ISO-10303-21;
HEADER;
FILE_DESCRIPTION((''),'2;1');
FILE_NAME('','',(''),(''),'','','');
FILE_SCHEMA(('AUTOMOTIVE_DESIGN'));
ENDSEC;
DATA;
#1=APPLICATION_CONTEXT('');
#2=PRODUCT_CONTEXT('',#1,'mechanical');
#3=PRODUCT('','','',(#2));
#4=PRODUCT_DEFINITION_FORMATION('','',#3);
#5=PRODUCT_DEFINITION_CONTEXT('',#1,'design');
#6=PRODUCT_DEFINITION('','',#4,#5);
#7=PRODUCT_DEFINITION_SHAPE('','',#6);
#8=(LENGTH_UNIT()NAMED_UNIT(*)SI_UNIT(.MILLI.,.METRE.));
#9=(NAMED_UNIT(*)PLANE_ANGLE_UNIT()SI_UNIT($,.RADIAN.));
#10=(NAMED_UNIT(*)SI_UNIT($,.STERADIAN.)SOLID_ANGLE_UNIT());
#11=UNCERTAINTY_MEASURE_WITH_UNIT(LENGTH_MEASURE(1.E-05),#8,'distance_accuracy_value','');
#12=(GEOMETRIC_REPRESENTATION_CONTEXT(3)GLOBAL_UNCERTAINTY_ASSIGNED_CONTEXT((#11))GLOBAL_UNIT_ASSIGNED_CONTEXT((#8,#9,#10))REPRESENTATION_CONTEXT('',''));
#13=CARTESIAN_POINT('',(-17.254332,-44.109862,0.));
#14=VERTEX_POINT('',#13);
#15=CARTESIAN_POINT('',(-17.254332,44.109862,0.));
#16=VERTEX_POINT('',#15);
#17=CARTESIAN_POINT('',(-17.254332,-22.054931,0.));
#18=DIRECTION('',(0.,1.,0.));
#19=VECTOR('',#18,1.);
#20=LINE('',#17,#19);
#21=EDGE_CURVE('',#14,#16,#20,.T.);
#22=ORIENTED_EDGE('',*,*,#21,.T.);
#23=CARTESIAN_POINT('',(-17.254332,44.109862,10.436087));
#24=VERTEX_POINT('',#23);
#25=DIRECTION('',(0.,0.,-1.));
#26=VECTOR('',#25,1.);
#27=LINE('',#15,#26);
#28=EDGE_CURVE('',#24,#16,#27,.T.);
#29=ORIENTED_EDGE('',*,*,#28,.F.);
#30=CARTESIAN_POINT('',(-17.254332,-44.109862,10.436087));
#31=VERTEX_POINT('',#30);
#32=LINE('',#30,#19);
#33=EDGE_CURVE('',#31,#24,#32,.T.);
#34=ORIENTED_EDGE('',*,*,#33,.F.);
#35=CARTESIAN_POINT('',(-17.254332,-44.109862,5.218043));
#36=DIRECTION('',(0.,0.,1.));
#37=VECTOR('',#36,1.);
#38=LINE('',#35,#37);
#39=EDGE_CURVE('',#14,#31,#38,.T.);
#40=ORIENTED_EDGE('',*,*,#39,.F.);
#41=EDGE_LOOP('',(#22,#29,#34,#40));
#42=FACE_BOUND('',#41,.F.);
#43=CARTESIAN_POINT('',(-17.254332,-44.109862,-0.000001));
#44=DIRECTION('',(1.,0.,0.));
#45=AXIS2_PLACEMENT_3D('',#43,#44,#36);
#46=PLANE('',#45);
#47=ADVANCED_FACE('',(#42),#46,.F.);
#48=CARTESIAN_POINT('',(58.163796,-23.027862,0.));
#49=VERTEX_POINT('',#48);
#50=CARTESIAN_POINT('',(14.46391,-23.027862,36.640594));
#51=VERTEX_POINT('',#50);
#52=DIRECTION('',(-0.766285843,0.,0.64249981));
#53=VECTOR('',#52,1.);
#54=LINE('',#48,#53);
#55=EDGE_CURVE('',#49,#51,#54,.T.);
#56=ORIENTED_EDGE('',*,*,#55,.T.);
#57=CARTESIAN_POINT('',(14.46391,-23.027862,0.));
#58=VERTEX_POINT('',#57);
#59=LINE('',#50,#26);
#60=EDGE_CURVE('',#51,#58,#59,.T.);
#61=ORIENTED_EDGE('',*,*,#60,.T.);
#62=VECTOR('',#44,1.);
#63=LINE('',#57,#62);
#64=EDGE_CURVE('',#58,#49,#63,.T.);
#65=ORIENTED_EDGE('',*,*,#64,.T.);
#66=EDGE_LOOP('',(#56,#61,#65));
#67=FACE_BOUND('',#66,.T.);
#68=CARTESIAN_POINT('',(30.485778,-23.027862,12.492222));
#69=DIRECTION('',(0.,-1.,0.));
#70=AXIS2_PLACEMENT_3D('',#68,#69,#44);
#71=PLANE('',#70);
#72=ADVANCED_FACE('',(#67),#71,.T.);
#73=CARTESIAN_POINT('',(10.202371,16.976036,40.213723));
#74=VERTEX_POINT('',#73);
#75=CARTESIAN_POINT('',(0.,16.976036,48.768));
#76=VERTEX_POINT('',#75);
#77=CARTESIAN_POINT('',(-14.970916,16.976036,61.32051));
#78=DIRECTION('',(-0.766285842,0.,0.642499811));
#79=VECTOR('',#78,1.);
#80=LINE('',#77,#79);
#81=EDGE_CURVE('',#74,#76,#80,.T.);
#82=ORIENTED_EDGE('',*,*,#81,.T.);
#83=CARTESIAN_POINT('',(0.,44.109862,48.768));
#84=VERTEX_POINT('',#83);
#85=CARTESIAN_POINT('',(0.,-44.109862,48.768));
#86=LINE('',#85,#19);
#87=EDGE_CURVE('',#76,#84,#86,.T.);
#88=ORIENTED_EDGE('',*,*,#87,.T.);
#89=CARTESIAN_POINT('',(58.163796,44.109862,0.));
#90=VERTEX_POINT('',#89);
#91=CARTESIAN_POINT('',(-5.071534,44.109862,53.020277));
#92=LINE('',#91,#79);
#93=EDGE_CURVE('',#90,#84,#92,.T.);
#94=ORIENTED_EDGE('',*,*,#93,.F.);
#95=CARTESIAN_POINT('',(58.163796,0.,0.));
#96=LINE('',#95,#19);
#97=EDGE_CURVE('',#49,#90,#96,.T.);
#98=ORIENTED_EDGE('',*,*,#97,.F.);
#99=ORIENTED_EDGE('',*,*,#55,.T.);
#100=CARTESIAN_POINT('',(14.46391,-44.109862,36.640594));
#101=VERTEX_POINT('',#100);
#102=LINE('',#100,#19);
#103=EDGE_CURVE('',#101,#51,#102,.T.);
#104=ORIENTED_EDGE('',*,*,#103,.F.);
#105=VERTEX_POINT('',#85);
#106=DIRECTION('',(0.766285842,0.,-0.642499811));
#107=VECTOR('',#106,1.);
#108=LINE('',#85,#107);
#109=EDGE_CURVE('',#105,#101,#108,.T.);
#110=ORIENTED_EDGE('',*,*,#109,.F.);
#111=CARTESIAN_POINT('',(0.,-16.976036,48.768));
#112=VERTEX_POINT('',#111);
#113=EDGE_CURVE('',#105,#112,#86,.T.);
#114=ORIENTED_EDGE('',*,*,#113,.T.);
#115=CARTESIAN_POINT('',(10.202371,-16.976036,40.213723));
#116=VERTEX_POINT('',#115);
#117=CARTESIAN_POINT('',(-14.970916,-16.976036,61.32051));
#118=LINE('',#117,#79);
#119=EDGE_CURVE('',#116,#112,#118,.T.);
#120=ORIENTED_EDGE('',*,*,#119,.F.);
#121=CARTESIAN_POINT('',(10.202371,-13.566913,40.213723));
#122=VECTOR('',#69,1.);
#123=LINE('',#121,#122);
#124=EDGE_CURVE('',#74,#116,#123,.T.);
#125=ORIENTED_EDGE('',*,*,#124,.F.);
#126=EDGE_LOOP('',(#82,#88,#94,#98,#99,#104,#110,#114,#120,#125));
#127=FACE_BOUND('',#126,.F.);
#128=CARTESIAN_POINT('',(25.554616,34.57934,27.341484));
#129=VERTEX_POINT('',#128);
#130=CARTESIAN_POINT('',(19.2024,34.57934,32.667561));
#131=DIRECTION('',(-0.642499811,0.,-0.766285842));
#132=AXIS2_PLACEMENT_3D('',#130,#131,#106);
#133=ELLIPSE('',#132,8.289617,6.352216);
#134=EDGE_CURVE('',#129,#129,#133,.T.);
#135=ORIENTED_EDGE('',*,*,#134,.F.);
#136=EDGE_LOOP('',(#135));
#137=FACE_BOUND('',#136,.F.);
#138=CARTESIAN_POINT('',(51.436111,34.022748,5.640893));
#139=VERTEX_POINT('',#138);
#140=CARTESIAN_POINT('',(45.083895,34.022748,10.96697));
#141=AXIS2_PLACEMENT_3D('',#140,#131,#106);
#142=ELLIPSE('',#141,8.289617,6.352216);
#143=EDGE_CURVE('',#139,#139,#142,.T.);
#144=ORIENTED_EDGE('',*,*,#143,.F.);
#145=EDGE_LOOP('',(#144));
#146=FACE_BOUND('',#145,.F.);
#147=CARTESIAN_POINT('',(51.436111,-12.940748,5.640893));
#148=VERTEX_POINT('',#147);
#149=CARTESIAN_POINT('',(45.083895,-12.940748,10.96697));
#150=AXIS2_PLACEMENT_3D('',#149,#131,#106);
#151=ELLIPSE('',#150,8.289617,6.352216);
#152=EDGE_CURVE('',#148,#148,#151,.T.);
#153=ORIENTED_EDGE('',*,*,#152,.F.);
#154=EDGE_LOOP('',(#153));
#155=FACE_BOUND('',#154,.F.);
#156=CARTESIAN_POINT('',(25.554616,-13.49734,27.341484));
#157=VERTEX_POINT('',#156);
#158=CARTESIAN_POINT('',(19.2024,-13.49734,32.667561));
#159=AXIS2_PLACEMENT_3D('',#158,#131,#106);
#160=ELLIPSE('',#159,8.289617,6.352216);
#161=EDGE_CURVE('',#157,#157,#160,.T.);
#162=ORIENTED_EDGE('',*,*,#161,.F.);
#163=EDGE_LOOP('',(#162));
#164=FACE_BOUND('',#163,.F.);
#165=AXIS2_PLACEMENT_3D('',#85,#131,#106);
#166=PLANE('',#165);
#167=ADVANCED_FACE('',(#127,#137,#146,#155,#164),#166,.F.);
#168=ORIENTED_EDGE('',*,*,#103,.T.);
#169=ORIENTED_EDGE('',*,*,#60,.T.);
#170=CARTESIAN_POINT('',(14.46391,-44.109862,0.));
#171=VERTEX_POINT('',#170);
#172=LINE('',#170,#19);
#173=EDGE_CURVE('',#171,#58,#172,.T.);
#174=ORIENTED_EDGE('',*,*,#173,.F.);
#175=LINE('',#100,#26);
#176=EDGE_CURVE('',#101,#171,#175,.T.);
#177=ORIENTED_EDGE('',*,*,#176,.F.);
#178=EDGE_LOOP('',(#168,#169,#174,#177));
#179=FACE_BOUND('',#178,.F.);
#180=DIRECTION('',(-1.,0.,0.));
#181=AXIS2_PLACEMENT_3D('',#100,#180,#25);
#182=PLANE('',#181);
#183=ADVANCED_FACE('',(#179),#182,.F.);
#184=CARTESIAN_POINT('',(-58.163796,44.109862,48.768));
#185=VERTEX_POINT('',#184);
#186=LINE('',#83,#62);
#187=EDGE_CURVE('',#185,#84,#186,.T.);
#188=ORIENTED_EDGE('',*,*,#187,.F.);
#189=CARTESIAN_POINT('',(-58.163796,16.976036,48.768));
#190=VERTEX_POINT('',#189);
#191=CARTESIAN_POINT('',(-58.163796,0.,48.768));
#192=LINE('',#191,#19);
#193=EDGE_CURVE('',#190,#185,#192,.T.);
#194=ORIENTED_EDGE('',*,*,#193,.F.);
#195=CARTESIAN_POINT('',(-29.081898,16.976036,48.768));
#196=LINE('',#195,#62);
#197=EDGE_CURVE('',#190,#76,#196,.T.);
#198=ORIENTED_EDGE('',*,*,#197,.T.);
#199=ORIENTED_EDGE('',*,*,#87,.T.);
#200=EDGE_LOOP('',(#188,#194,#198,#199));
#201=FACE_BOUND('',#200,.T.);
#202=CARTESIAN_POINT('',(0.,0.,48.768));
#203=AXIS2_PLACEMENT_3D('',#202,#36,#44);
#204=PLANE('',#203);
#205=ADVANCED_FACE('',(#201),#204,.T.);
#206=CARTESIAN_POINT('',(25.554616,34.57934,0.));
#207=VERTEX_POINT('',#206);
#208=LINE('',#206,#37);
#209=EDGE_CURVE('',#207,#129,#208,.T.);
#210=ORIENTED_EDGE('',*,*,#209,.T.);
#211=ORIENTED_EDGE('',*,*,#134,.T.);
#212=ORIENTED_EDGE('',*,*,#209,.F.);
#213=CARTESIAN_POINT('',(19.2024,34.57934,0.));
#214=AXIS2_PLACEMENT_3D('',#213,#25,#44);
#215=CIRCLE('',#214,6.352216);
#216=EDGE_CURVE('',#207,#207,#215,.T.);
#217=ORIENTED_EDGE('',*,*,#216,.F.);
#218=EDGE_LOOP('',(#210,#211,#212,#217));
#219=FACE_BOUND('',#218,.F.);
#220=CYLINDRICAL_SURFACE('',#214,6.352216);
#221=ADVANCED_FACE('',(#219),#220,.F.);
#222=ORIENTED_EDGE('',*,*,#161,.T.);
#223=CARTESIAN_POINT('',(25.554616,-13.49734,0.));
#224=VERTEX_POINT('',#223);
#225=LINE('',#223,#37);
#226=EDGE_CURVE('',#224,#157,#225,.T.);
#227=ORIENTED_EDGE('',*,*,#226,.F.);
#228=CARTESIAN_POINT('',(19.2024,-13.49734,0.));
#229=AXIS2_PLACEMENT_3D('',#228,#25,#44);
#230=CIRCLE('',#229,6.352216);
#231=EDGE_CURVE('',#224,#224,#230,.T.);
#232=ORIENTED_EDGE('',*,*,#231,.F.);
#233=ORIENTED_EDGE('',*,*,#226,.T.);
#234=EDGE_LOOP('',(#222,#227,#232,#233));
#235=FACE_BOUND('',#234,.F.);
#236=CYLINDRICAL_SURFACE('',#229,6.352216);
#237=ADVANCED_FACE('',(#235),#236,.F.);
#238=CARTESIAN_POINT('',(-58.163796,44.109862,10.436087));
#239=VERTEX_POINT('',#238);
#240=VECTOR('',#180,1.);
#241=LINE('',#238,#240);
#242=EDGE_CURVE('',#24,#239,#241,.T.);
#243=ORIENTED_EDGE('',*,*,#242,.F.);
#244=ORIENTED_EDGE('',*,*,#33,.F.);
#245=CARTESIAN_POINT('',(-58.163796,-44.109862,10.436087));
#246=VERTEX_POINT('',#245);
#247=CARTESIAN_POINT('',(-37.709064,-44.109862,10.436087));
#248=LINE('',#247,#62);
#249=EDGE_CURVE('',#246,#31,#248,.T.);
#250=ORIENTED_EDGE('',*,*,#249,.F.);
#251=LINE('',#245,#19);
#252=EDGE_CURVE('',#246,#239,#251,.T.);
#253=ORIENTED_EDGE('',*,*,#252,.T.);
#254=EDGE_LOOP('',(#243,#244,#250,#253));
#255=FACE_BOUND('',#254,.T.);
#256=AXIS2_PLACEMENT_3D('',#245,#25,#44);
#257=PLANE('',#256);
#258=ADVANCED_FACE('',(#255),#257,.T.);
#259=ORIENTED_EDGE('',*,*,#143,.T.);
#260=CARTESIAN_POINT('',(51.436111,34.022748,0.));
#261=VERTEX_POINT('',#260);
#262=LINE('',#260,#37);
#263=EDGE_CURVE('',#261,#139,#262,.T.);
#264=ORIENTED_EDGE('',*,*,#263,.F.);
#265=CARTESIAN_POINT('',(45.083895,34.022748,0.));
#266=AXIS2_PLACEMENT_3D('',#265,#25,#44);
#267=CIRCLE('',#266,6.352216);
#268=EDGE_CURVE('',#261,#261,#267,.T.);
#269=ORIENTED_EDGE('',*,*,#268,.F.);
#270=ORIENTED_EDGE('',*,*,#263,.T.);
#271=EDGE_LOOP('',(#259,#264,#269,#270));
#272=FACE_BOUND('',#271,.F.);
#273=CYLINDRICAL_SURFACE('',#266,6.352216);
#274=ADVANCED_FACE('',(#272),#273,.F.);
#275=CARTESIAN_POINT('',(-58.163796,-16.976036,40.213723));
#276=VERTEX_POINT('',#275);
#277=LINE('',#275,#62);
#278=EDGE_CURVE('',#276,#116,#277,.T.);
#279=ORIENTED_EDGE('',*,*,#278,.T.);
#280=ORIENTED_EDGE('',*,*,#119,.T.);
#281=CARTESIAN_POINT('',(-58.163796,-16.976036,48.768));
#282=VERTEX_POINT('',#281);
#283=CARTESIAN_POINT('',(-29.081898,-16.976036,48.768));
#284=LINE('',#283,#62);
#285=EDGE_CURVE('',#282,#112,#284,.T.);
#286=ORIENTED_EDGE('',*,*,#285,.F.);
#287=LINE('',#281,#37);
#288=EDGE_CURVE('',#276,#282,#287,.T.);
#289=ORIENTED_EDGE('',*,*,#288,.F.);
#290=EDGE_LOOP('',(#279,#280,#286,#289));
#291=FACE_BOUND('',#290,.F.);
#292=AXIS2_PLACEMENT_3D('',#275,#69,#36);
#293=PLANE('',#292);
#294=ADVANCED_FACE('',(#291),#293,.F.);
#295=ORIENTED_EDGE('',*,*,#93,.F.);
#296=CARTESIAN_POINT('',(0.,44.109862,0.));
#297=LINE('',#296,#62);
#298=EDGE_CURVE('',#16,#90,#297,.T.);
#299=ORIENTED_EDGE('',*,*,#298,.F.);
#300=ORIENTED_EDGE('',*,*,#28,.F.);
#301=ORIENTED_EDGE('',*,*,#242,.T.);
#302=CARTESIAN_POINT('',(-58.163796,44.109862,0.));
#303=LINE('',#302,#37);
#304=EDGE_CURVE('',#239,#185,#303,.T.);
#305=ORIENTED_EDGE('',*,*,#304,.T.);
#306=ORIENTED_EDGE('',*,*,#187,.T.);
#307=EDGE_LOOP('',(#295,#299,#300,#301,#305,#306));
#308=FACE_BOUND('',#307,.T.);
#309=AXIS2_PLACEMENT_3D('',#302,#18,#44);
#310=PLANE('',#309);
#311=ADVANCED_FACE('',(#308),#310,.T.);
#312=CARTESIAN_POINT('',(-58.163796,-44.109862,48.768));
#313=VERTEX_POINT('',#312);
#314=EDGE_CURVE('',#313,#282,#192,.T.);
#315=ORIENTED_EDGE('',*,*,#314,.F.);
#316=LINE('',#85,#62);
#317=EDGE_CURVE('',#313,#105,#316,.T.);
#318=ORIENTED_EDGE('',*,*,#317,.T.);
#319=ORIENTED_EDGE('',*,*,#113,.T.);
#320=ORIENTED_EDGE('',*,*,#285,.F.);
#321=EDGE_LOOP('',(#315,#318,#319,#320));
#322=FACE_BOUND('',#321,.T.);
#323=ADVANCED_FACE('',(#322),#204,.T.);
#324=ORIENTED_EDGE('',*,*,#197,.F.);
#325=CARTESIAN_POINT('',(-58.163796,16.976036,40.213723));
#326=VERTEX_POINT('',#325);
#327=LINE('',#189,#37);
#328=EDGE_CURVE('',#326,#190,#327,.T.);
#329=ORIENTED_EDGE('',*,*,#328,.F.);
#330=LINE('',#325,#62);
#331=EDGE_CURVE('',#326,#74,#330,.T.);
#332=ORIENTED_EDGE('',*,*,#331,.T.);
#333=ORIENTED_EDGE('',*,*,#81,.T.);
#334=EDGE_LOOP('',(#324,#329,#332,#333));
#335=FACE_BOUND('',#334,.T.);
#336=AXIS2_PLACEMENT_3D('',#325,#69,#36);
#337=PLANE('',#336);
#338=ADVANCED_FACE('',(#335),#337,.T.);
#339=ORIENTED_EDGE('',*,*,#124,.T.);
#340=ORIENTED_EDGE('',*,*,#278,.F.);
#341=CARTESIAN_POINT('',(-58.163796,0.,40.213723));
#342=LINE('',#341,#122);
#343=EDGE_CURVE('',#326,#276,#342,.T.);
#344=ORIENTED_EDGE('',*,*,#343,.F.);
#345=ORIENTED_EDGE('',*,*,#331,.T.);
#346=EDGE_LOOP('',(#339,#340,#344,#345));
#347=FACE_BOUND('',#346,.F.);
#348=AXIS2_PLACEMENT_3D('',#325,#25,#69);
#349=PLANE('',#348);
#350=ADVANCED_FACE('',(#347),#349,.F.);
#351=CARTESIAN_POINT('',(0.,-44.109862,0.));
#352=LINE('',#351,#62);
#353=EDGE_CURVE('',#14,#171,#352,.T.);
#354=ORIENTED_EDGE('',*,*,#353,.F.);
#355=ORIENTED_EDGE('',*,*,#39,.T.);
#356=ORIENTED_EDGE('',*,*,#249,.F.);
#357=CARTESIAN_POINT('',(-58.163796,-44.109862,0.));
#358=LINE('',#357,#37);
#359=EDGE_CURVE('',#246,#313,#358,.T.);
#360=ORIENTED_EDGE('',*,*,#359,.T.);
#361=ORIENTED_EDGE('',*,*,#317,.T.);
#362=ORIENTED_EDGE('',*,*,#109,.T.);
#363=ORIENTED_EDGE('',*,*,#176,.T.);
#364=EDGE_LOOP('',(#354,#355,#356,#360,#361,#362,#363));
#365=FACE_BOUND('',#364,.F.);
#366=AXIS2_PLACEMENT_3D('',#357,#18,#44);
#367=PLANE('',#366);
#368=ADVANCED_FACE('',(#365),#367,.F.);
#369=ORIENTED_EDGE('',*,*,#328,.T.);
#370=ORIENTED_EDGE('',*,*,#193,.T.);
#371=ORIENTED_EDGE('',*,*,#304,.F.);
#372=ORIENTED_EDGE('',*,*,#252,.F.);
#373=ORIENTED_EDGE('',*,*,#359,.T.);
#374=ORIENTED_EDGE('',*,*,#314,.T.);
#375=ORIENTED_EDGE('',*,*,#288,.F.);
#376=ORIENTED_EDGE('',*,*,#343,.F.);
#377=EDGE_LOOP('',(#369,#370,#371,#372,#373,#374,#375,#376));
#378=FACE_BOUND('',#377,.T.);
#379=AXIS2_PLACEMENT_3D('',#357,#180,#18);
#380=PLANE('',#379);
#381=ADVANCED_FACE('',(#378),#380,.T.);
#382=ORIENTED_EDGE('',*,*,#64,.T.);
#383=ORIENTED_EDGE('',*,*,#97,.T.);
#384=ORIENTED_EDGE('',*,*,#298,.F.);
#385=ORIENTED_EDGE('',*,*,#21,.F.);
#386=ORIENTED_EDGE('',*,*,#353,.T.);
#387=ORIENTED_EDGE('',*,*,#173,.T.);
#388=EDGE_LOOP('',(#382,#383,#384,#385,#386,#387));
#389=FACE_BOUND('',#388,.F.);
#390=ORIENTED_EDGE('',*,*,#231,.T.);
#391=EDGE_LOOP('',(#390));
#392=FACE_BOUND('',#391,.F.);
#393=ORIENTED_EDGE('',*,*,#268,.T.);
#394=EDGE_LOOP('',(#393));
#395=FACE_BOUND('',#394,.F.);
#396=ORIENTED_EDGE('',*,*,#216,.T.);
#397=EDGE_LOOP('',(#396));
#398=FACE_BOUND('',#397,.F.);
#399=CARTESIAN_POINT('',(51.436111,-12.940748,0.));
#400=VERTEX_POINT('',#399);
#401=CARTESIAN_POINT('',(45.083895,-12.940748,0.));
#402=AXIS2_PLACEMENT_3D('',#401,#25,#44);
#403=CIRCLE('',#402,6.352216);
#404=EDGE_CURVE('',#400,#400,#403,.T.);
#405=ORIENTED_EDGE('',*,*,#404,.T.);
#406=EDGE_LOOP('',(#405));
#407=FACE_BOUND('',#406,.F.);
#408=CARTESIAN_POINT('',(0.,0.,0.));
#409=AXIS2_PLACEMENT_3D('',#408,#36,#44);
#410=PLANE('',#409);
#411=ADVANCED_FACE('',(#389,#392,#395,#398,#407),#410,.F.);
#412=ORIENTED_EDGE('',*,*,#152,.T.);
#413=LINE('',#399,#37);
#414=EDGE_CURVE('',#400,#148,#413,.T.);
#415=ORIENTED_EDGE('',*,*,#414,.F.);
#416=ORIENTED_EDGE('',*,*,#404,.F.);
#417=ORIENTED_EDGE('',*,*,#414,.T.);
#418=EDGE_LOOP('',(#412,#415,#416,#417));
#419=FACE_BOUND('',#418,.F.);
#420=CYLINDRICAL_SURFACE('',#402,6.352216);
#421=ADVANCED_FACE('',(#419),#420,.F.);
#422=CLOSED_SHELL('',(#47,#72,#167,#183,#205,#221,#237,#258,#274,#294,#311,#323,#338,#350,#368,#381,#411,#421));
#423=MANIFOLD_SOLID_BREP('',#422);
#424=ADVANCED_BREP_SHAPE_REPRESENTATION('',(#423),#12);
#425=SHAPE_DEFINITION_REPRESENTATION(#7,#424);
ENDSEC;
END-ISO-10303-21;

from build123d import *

# Parameters (mm, degrees)
F0_W      = 116.327592
F0_H      = 88.219724
F1_DEPTH  = 48.768
F3_DEPTH  = 93.218
F5_DEPTH  = 21.082
F6_W      = 40.909464
F6_H      = 10.436087
F7_DEPTH  = 91.694
F8_W      = 33.952072
F8_H      = 17.108554
F9_DEPTH  = 78.486
F10_R     = 6.352216
F11_DEPTH = 58.928


with BuildPart() as f1:
    # F0 (on Top) → F1 (new body)
    with BuildSketch(Plane.XY):
        Rectangle(F0_W, F0_H)
    extrude(amount=F1_DEPTH)

    # F2 (on face) → F3 (cut)
    with BuildSketch(Plane.XZ.offset(44.109862)):
        Polygon((58.163796, 0), (58.163796, 48.768), (0, 48.768), align=None)
    extrude(amount=-F3_DEPTH, mode=Mode.SUBTRACT)

    # F4 (on face) → F5 (cut)
    with BuildSketch(Plane.XZ.offset(44.109862)):
        Polygon((58.163796, 0), (14.46391, 36.640594), (14.46391, 0), align=None)
    extrude(amount=-F5_DEPTH, mode=Mode.SUBTRACT)

    # F6 (on face) → F7 (cut)
    with BuildSketch(Plane.XZ.offset(44.109862)):
        with Locations((-37.709064, 5.218043)):
            Rectangle(F6_W, F6_H)
    extrude(amount=-F7_DEPTH, mode=Mode.SUBTRACT)

    # F8 (on face) → F9 (cut)
    with BuildSketch(Plane(origin=(-58.163796, 0, 0), x_dir=(0, -1, 0), z_dir=(-1, 0, 0))):
        with Locations((0, 48.768)):
            Rectangle(F8_W, F8_H)
    extrude(amount=-F9_DEPTH, mode=Mode.SUBTRACT)

    # F10 (on face) → F11 (cut)
    with BuildSketch(Plane(origin=(0, 0, 0), x_dir=(1, 0, 0), z_dir=(0, 0, -1))):
        with Locations((45.083895, 12.940748)):
            Circle(F10_R)
        with Locations((19.2024, 13.49734)):
            Circle(F10_R)
        with Locations((45.083895, -34.022748)):
            Circle(F10_R)
        with Locations((19.2024, -34.57934)):
            Circle(F10_R)
    extrude(amount=-F11_DEPTH, mode=Mode.SUBTRACT)


solid = f1.part
